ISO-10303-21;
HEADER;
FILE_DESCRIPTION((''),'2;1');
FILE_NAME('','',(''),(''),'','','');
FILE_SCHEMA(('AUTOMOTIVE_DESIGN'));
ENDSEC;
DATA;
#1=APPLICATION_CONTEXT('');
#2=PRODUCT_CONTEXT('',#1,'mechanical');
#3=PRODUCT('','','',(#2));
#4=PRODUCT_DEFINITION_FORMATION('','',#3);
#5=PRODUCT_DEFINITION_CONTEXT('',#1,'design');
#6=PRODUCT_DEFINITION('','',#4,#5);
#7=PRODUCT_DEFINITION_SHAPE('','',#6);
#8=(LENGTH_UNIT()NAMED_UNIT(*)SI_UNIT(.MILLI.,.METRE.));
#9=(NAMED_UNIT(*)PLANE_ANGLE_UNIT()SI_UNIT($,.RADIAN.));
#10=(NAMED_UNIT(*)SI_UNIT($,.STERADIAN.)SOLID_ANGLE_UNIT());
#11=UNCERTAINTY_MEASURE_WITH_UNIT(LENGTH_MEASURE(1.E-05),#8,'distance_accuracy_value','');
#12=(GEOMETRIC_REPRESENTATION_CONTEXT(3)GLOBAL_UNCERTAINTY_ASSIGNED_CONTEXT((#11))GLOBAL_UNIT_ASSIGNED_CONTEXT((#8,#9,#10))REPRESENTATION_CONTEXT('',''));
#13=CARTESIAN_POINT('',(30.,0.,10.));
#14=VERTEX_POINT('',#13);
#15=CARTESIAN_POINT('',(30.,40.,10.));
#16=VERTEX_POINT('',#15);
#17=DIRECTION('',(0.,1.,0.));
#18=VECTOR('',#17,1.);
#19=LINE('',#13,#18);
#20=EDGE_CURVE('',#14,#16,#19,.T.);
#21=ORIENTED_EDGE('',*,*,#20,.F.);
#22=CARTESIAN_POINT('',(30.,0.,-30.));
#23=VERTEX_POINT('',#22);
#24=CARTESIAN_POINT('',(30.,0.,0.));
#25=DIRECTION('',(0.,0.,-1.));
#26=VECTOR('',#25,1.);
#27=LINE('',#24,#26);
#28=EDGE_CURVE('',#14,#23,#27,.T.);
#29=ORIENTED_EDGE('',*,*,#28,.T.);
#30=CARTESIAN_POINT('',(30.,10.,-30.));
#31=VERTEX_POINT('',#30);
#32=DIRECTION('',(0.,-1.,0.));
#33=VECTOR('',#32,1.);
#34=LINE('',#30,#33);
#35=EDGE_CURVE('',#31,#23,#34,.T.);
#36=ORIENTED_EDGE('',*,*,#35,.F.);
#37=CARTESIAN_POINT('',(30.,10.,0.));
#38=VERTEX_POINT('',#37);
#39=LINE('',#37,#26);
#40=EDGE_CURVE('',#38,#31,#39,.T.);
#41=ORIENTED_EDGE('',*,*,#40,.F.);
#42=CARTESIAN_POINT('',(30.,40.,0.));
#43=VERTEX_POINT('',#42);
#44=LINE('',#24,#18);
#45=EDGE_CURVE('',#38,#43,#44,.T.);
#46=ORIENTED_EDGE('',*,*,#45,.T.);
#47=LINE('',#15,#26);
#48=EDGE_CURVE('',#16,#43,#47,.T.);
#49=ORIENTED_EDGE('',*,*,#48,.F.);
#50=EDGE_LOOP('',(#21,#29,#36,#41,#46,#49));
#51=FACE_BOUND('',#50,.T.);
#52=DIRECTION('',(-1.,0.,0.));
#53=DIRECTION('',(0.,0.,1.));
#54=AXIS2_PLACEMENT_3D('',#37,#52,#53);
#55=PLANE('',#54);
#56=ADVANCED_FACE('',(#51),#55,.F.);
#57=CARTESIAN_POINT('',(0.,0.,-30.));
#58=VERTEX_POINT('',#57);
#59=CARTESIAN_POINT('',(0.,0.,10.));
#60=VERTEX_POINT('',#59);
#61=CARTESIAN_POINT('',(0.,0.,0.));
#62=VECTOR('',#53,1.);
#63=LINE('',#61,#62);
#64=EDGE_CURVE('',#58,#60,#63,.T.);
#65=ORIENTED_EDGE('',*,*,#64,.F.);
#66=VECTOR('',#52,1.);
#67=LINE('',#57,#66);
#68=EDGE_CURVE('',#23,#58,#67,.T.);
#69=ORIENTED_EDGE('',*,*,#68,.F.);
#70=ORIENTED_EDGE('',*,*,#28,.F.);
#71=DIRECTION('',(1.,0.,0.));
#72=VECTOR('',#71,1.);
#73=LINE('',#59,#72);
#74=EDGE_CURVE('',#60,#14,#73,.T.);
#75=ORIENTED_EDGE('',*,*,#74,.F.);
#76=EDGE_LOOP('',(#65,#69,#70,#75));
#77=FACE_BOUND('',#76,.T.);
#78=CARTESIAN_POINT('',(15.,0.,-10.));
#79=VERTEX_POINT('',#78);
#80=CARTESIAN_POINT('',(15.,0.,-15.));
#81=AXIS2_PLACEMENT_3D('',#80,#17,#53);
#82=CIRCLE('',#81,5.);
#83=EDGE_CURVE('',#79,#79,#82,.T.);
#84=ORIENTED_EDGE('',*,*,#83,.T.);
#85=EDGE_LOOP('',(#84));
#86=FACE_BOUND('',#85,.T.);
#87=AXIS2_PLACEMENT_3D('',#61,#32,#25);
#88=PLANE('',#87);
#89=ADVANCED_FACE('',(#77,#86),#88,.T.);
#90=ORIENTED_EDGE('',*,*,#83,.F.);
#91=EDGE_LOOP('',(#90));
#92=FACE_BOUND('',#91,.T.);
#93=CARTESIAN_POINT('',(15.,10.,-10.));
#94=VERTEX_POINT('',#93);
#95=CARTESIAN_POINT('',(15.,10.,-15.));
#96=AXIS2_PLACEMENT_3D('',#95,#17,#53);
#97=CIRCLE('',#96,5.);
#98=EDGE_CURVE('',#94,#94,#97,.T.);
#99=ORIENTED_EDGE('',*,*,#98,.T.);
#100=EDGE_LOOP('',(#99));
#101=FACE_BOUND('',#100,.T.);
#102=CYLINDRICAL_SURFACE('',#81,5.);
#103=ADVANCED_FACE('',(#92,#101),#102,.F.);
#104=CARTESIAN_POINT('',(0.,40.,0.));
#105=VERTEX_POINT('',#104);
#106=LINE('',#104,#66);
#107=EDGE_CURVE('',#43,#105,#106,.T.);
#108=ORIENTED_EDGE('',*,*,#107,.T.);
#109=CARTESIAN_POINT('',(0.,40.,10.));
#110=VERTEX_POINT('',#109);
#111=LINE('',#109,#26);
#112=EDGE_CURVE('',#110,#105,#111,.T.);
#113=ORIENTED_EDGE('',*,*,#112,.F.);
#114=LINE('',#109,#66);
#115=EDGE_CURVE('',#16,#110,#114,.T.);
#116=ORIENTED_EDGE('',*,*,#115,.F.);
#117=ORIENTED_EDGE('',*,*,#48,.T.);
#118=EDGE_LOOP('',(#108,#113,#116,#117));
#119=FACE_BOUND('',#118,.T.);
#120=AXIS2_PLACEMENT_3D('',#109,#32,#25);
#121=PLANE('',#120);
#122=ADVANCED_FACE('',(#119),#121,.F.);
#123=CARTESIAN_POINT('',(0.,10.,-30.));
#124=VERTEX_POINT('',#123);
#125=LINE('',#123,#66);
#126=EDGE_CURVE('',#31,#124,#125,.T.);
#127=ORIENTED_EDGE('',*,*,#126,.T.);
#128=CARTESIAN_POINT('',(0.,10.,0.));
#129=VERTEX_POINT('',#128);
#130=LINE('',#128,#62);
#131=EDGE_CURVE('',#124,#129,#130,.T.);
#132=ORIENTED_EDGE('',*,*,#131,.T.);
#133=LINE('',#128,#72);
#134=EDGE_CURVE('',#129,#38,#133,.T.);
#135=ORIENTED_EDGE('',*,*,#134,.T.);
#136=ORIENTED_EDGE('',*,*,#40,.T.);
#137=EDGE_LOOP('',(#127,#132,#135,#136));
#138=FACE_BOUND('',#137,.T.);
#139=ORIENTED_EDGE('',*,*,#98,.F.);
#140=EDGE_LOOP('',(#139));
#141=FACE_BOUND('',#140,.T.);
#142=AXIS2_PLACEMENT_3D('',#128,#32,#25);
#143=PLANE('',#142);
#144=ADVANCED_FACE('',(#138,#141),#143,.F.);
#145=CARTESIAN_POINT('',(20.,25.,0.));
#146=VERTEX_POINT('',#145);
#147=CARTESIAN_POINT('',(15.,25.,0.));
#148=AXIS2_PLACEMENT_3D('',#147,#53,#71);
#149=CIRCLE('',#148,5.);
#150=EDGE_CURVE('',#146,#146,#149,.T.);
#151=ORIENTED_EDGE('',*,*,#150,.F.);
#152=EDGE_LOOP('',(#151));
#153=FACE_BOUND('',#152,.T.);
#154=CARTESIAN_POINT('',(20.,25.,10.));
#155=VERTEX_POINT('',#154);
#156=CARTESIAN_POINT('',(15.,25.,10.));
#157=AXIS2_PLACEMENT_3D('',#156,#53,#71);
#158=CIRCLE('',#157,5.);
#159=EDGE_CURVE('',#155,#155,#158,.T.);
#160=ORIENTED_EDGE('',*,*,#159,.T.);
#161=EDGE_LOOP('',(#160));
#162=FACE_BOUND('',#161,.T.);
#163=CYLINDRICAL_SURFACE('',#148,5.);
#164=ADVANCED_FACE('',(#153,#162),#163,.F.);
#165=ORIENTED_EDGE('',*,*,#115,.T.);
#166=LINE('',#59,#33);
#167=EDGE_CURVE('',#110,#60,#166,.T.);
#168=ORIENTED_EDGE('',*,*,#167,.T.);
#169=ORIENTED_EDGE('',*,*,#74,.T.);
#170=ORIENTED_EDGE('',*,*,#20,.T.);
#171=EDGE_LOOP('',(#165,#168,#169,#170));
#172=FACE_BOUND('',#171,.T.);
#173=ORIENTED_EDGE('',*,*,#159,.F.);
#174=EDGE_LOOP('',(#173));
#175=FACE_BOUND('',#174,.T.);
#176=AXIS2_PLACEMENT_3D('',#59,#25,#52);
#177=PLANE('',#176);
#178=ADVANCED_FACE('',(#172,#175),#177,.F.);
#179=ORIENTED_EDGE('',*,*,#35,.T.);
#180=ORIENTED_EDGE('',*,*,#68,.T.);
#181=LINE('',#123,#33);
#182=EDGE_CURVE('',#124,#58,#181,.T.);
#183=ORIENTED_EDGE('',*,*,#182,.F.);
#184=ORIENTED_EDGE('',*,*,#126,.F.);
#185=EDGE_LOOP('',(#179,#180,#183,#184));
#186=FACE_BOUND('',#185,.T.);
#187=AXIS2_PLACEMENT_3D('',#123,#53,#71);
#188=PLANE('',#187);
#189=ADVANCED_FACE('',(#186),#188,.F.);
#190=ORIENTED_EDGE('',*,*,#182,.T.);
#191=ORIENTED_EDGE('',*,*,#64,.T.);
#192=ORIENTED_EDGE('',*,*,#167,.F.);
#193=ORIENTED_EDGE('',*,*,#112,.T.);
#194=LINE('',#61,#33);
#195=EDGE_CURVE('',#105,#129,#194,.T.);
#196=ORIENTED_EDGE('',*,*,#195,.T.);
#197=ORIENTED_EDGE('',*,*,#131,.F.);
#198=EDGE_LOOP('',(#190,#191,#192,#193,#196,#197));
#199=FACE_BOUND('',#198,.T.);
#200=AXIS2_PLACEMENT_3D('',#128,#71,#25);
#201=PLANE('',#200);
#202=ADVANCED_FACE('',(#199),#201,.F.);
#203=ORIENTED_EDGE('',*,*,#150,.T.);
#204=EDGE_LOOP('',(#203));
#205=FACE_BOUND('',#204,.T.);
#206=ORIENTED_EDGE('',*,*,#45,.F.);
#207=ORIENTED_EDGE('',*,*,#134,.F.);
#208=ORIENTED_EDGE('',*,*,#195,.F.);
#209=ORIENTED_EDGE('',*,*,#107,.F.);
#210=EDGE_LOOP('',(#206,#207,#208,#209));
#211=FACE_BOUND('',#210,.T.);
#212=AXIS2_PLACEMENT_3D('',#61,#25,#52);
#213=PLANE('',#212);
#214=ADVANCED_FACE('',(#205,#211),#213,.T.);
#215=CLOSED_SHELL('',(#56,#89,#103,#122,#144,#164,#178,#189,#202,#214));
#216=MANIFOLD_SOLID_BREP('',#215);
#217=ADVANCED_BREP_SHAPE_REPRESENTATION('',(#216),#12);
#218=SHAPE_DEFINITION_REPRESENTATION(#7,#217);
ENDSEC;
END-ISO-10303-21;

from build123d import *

# Parameters (mm, degrees)
SKETCH1_W           = 30
SKETCH1_H           = 30
BOSS_EXTRUDE1_DEPTH = 10
SKETCH4_W           = 30
SKETCH4_H           = 40
BOSS_EXTRUDE2_DEPTH = 10
SKETCH5_R           = 5
CUT_EXTRUDE1_DEPTH  = 10
SKETCH6_R           = 5
CUT_EXTRUDE2_DEPTH  = 10


with BuildPart() as part:
    # Sketch1 → Boss-Extrude1 (new body)
    with BuildSketch(Plane(origin=(0, 0, 0), x_dir=(1, 0, 0), z_dir=(0, 1, 0))):
        with Locations((15, 15)):
            Rectangle(SKETCH1_W, SKETCH1_H)
    extrude(amount=BOSS_EXTRUDE1_DEPTH)

    # Sketch4 → Boss-Extrude2 (add)
    with BuildSketch(Plane.XY):
        with Locations((15, 20)):
            Rectangle(SKETCH4_W, SKETCH4_H)
    extrude(amount=BOSS_EXTRUDE2_DEPTH)

    # Sketch5 → Cut-Extrude1 (cut)
    with BuildSketch(Plane.XY.offset(10)):
        with Locations((15, 25)):
            Circle(SKETCH5_R)
    extrude(amount=-CUT_EXTRUDE1_DEPTH, mode=Mode.SUBTRACT)

    # Sketch6 → Cut-Extrude2 (cut)
    with BuildSketch(Plane(origin=(0, 10, 0), x_dir=(1, 0, 0), z_dir=(0, 1, 0))):
        with Locations((15, 15)):
            Circle(SKETCH6_R)
    extrude(amount=-CUT_EXTRUDE2_DEPTH, mode=Mode.SUBTRACT)


solid = part.part
